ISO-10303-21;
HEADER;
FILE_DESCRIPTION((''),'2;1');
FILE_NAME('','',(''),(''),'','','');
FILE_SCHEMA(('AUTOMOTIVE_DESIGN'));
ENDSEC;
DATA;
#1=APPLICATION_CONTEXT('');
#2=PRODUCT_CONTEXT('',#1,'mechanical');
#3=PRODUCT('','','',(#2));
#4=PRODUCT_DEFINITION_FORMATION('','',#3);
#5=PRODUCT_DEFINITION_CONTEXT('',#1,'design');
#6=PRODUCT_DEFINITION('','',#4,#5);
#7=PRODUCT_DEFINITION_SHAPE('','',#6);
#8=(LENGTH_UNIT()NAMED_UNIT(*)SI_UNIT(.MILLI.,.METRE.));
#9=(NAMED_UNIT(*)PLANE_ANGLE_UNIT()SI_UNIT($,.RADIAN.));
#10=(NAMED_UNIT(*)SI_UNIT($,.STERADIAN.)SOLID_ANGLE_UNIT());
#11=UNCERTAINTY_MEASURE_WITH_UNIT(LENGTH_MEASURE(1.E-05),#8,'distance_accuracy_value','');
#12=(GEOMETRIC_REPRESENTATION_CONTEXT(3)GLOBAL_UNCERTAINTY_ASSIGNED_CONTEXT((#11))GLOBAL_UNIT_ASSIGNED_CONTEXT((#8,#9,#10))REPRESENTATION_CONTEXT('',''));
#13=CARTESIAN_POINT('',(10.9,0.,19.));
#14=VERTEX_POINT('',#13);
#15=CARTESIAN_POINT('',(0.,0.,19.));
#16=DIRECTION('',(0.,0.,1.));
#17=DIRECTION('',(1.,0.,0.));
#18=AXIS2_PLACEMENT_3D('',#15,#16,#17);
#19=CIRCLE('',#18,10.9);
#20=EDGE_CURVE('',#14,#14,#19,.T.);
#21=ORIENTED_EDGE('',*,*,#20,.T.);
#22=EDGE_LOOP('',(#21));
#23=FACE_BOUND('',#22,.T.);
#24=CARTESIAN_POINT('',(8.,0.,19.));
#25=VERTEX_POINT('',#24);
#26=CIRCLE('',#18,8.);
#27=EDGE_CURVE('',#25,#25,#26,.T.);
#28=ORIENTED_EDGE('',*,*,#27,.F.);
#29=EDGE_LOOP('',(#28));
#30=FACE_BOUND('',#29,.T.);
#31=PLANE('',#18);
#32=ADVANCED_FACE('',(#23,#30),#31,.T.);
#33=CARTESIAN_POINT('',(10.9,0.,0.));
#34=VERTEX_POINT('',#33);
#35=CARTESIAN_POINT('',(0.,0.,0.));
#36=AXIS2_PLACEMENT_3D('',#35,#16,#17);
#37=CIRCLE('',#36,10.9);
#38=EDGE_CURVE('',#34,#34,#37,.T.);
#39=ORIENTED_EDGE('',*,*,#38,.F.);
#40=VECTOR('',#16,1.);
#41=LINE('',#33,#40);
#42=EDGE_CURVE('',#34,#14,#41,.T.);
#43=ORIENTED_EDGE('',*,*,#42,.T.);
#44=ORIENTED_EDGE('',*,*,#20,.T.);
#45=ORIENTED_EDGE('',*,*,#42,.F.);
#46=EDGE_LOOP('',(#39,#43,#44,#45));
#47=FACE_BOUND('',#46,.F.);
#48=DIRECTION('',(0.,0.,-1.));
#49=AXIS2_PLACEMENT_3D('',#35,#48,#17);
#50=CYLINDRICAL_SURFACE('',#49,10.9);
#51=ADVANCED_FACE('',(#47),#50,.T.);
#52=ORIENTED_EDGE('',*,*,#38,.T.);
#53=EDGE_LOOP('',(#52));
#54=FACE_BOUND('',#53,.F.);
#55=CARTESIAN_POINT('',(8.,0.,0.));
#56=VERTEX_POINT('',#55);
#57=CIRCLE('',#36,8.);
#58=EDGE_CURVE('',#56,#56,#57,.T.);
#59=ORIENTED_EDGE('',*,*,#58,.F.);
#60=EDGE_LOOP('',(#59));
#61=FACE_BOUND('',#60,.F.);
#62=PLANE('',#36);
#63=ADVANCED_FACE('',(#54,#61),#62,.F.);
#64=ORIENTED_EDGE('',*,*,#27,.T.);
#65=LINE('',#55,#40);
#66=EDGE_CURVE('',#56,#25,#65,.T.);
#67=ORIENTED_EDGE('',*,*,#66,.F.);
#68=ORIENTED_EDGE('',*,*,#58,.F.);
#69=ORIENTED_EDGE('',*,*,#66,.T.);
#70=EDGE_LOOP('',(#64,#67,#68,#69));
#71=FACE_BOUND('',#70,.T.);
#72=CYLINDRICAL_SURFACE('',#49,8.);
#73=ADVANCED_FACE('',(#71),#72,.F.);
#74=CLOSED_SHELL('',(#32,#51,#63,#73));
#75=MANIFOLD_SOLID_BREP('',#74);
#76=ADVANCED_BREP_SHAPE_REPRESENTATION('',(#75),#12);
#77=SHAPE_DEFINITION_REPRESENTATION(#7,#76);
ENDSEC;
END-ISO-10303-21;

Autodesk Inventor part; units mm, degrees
ref_plane "YZ Plane" through (0, 0, 0) normal (1, 0, 0) x (0, 1, 0)
ref_plane "XZ Plane" through (0, 0, 0) normal (0, 1, 0) x (-1, 0, 0)
ref_plane "XY Plane" through (0, 0, 0) normal (0, 0, 1) x (1, 0, 0)
sketch "Sketch1" plane through (0, 0, 0) normal (0, 0, 1) x (1, 0, 0)
  circle A0 centre (0, 0) radius 10.9
  circle A1 centre (0, 0) radius 8
  dimension "d0" = 21.8
  dimension "d1" = 16
extrude "Extrusion1" add sketch "Sketch1" along normal blind 19
properties part number "dystans na łożysk 6001 19mm"
